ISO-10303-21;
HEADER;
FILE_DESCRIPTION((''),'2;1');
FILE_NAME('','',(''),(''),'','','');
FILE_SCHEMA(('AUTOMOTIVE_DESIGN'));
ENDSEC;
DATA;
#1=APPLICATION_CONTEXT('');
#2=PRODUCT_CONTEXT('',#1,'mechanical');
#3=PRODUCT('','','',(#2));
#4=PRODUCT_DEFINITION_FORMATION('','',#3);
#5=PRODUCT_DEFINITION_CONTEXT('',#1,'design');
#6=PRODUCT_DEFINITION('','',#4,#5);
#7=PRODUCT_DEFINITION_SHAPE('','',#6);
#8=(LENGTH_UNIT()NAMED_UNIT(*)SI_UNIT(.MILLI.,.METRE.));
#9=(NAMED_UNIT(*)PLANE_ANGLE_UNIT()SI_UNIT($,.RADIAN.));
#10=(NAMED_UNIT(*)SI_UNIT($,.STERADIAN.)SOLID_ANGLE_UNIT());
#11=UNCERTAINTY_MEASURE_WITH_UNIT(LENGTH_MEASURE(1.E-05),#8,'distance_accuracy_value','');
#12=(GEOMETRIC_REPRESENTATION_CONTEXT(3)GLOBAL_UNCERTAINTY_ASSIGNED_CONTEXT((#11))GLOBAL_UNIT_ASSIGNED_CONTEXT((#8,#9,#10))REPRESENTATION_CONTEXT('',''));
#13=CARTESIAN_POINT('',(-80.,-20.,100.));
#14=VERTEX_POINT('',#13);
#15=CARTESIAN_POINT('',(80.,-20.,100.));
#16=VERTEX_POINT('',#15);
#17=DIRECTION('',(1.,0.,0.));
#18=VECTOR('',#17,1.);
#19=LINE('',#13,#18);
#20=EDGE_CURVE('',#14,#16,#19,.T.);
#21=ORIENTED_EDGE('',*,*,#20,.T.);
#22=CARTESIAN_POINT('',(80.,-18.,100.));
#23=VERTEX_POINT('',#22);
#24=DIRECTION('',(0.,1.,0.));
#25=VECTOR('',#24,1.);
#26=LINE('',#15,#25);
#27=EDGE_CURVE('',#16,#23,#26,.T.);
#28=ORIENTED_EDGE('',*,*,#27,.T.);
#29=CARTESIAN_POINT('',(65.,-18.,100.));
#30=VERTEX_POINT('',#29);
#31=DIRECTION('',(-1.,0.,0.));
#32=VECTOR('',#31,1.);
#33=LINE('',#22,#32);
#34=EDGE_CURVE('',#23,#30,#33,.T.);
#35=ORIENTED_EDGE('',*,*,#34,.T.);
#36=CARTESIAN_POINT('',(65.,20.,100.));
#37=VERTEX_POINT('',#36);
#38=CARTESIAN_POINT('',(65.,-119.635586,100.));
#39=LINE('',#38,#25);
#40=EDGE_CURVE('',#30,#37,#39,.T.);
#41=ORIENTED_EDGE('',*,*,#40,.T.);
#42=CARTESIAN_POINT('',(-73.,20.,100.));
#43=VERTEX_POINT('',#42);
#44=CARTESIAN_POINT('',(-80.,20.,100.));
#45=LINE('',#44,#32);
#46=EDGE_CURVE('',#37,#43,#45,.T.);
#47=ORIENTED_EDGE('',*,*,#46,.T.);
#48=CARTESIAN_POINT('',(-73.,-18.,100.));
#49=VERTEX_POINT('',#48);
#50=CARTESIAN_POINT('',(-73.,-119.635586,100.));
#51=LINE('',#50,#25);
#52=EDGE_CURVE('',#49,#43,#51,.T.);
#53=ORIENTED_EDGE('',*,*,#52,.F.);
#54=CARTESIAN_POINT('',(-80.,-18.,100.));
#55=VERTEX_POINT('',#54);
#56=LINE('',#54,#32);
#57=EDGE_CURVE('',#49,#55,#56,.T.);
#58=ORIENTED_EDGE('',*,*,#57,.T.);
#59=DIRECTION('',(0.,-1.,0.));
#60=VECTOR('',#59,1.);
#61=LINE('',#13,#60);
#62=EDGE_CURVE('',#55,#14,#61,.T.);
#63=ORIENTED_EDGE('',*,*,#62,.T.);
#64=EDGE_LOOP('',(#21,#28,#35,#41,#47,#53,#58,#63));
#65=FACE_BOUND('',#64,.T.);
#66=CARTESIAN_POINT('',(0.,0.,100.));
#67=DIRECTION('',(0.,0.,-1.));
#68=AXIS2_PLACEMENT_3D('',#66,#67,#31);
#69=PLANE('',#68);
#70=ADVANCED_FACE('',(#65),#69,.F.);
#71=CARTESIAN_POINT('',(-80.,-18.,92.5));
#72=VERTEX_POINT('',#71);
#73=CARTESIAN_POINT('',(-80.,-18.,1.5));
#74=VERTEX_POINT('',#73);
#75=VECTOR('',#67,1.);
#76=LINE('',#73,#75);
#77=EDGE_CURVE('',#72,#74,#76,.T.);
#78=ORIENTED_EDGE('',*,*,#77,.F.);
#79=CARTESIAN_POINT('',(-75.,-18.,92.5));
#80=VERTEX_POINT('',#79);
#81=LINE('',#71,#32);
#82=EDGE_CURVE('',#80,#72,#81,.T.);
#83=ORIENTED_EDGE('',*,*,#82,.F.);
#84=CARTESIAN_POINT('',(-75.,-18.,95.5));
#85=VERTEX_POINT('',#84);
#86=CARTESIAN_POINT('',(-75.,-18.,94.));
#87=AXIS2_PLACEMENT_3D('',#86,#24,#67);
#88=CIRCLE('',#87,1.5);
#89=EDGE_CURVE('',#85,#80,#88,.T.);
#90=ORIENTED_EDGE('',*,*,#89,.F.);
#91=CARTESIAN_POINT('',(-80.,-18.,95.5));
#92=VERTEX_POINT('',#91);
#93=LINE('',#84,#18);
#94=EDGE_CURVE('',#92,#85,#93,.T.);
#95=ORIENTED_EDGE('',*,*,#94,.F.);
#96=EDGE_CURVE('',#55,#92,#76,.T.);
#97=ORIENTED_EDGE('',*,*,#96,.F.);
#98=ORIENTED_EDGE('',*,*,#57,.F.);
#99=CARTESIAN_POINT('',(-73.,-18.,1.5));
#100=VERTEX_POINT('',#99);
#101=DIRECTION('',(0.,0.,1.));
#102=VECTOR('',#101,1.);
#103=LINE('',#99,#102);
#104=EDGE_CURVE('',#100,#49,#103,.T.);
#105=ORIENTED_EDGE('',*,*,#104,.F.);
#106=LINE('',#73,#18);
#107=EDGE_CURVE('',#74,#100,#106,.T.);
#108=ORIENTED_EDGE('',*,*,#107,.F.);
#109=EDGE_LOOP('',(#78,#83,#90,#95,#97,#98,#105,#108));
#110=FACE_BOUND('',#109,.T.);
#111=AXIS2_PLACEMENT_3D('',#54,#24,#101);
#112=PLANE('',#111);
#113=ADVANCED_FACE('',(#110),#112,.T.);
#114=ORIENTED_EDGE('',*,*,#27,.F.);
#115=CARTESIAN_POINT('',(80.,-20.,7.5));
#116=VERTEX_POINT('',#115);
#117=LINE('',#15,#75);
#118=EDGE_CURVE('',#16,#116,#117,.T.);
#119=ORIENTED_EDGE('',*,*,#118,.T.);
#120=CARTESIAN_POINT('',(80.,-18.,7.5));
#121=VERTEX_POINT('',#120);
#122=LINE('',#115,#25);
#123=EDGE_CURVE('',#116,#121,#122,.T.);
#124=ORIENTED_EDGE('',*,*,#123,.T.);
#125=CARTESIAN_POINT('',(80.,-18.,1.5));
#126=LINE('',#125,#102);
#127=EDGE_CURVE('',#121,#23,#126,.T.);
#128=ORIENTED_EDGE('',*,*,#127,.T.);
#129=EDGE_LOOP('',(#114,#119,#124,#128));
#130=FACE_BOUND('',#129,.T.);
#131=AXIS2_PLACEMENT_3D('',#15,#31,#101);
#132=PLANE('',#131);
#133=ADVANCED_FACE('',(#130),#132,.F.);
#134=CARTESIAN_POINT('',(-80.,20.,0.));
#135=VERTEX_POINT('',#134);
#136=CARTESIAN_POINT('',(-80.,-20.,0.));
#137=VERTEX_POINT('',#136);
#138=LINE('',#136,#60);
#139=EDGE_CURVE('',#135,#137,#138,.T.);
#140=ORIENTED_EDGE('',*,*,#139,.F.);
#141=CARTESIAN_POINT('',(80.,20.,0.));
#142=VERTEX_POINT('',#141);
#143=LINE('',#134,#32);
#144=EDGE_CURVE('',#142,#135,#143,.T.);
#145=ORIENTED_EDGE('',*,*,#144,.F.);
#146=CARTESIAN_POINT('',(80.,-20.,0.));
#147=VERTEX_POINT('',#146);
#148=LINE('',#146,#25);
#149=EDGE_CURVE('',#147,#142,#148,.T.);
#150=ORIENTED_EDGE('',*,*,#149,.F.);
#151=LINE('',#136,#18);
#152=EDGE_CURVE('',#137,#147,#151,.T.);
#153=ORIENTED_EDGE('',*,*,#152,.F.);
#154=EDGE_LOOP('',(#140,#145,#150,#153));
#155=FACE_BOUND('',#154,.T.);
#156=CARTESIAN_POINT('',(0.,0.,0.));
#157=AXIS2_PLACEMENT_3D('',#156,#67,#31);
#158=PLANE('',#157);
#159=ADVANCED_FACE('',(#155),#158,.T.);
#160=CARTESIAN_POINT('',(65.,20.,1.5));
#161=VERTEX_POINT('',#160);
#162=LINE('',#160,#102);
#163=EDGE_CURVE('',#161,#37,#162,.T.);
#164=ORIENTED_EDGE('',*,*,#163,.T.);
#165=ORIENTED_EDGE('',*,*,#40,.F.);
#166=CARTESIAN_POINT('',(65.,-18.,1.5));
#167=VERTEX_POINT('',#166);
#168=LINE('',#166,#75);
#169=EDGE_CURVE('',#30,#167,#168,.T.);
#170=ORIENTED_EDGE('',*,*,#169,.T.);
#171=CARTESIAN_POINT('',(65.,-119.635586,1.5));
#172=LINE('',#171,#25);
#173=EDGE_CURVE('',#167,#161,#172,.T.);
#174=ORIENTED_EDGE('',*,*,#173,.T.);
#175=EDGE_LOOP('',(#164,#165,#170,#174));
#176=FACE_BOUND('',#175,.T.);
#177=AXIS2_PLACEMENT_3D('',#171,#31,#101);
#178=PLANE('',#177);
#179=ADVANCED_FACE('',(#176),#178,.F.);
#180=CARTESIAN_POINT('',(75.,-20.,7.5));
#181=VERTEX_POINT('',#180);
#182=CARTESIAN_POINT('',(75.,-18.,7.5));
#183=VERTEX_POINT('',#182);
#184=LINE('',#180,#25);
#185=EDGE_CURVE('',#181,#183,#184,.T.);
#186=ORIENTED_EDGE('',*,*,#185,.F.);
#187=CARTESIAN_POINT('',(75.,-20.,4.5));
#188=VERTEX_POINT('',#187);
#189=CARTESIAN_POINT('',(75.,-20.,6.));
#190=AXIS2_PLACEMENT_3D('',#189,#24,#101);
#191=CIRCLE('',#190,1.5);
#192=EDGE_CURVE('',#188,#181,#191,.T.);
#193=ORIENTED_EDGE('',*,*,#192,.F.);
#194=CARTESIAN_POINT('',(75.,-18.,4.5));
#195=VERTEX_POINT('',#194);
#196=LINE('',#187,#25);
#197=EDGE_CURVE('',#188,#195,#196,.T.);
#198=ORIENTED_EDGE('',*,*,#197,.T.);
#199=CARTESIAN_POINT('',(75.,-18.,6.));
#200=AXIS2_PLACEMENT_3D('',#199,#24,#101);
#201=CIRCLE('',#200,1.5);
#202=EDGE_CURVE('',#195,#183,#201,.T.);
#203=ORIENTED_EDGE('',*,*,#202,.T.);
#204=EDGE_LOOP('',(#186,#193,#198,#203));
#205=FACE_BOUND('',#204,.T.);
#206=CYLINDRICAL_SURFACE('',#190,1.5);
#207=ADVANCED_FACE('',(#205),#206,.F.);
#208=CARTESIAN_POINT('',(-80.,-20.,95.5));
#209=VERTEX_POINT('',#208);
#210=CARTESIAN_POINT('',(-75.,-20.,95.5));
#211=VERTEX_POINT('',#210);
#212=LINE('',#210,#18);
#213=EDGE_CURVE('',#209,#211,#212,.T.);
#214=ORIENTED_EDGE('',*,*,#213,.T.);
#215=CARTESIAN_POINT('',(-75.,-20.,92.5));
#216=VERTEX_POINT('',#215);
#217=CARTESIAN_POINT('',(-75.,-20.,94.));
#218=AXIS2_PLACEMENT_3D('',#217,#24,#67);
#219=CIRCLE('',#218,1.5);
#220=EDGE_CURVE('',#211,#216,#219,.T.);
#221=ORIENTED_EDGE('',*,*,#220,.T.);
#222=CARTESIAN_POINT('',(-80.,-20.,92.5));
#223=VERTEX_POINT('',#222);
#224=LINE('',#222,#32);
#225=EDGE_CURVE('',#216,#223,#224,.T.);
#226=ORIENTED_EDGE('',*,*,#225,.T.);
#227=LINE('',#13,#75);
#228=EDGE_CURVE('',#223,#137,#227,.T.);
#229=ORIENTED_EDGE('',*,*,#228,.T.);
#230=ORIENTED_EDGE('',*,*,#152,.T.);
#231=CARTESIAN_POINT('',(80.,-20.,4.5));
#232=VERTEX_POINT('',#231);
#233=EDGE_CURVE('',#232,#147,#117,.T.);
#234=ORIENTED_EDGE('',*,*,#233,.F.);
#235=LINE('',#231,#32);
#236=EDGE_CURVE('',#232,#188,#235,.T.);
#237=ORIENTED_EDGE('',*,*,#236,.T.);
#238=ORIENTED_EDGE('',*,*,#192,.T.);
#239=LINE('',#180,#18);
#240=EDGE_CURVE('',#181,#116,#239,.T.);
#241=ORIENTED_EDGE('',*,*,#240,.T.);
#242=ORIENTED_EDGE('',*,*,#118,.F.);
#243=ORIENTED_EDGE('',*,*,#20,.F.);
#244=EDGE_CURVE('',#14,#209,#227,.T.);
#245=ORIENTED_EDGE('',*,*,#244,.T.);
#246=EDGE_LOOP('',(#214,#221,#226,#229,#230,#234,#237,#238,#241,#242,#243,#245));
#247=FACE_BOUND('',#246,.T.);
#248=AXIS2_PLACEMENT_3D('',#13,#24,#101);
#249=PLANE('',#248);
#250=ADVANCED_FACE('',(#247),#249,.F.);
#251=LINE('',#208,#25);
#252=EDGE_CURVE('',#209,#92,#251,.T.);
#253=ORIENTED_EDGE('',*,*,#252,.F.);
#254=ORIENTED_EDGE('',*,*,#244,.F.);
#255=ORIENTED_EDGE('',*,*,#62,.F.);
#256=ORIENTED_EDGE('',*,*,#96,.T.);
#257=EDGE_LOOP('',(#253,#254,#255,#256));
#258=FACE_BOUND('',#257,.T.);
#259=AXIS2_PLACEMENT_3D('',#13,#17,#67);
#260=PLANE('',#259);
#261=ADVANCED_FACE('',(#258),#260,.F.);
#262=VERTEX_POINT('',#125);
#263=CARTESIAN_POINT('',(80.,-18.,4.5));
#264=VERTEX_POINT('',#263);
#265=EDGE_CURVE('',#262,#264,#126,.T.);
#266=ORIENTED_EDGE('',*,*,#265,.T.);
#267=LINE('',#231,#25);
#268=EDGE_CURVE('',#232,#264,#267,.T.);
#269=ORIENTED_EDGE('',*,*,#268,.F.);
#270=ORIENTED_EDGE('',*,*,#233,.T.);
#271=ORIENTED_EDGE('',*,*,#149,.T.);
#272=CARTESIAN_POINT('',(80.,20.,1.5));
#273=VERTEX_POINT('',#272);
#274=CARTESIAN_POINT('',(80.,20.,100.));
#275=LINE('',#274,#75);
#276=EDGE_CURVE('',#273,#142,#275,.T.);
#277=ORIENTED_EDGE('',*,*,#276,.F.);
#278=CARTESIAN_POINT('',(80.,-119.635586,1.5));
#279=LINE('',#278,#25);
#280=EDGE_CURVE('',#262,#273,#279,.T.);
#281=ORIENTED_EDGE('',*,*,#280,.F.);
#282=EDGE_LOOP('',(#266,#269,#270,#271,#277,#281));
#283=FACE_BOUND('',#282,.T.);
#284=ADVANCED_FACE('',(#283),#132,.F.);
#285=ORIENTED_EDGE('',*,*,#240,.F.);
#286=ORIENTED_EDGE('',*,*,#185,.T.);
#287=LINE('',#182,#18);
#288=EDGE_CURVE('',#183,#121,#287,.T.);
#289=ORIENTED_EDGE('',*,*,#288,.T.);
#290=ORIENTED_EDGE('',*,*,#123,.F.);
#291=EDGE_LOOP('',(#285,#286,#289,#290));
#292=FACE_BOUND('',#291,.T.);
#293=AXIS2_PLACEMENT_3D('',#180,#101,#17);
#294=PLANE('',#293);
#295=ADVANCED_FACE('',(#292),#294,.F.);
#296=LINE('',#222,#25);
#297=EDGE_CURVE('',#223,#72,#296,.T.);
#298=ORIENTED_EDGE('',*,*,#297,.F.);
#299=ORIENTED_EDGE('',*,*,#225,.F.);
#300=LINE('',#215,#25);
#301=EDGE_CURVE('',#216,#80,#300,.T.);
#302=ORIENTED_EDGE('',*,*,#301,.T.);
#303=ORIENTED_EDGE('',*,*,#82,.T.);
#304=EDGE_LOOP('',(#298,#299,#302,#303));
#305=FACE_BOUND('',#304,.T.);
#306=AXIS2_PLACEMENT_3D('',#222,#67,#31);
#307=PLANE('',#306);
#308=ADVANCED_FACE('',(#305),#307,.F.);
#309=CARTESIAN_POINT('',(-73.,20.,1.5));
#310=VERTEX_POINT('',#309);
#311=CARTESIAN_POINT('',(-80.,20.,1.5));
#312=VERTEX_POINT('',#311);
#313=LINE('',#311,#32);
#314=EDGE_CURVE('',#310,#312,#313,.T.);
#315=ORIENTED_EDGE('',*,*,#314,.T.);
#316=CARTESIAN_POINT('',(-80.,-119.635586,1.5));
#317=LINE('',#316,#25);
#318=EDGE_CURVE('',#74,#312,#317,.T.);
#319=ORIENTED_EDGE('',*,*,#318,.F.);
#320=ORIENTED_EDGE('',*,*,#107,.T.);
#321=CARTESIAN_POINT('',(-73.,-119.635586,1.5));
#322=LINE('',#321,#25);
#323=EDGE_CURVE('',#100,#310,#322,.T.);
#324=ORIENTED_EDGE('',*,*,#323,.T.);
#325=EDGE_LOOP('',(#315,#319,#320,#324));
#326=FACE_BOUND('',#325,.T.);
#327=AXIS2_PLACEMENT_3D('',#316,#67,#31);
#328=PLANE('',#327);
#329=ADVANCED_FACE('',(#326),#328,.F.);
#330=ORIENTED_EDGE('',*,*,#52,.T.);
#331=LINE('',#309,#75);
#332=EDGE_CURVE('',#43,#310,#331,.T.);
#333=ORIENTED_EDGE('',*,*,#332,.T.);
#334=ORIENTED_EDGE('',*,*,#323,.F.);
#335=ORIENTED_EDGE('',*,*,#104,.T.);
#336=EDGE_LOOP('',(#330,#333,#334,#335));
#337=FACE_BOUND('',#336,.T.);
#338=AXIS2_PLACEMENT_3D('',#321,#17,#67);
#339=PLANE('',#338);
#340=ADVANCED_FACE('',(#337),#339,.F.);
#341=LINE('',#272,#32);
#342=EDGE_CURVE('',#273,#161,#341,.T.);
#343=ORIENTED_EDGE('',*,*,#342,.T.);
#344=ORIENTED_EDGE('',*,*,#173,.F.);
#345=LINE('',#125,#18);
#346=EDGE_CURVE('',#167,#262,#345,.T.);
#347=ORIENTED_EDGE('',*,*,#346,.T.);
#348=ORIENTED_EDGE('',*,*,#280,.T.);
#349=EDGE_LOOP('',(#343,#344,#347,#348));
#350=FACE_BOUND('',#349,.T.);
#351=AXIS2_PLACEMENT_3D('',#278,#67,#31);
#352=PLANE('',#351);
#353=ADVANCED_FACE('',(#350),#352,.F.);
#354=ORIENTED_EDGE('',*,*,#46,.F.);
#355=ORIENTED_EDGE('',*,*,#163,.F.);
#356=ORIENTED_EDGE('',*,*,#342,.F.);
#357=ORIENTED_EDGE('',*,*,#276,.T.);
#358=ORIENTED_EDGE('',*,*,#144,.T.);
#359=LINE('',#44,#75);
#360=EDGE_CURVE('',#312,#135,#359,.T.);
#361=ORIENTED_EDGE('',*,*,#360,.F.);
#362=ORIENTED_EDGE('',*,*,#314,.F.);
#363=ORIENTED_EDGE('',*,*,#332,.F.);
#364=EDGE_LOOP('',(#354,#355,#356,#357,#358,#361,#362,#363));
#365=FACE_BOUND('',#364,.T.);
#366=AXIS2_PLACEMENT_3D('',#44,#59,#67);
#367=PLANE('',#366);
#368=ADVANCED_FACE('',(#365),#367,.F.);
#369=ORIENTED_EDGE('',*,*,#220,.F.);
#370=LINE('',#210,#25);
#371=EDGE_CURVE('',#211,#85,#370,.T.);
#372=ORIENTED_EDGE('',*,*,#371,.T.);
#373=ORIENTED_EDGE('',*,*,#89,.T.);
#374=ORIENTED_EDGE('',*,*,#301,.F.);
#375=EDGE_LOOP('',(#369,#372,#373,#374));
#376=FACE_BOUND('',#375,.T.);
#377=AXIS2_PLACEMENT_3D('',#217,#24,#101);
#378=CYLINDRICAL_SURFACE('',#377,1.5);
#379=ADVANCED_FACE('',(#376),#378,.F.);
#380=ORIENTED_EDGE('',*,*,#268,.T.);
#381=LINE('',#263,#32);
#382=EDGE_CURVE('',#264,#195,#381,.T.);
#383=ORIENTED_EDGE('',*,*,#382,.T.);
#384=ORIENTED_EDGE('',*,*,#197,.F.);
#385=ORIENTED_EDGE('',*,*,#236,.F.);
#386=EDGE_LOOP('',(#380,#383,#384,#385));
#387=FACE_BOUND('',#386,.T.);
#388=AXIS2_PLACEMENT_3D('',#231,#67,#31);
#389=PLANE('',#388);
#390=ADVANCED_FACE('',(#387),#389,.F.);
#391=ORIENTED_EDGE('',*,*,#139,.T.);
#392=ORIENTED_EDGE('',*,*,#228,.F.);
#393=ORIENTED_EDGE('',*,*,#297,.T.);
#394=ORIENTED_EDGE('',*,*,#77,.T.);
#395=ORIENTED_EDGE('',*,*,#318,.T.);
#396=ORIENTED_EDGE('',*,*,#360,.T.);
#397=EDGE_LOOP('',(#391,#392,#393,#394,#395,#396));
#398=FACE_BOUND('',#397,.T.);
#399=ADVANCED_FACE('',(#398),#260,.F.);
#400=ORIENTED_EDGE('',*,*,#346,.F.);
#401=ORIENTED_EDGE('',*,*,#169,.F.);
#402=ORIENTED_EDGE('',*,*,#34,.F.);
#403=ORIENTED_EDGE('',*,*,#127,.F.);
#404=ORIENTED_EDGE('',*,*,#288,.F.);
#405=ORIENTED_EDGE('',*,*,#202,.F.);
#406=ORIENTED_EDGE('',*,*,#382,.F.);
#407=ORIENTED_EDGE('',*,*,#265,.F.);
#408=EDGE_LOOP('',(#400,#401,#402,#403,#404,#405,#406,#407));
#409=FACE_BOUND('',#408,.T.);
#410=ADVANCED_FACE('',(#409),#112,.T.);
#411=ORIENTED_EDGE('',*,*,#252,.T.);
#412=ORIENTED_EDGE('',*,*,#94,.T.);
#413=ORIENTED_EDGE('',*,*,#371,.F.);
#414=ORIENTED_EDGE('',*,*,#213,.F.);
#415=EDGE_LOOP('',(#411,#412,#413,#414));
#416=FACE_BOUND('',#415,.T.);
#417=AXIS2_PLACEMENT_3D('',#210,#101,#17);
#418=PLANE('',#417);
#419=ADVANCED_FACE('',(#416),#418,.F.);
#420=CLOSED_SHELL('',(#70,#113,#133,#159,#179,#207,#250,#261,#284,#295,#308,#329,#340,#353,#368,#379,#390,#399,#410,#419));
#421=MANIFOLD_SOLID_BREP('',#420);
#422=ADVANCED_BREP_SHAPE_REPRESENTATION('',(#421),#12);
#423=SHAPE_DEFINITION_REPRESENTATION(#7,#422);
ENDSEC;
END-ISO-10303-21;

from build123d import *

# Parameters (mm, degrees)
SKETCH1_W           = 160
SKETCH1_H           = 40
BOSS_EXTRUDE1_DEPTH = 100
SKETCH2_W           = 7
SKETCH2_H           = 98.5
SKETCH2_W_2         = 15
CUT_EXTRUDE1_DEPTH  = 38
CUT_EXTRUDE2_DEPTH  = 2


with BuildPart() as part:
    # Sketch1 → Boss-Extrude1 (new body)
    with BuildSketch(Plane.XY):
        Rectangle(SKETCH1_W, SKETCH1_H)
    extrude(amount=BOSS_EXTRUDE1_DEPTH)

    # Sketch2 → Cut-Extrude1 (cut)
    with BuildSketch(Plane(origin=(0, 20, 0), x_dir=(1, 0, 0), z_dir=(0, 1, 0))):
        with Locations((-76.5, -50.75)):
            Rectangle(SKETCH2_W, SKETCH2_H)
        with Locations((72.5, -50.75)):
            Rectangle(SKETCH2_W_2, SKETCH2_H)
    extrude(amount=-CUT_EXTRUDE1_DEPTH, mode=Mode.SUBTRACT)

    # Sketch3 → Cut-Extrude2 (cut)
    with BuildSketch(Plane(origin=(0, -18, 0), x_dir=(1, 0, 0), z_dir=(0, 1, 0))):
        with BuildLine():
            Line((80, -4.5), (75, -4.5))
            ThreePointArc((75, -4.5), (73.5, -6), (75, -7.5))
            Line((75, -7.5), (80, -7.5))
            Line((80, -7.5), (80, -4.5))
        make_face()
        with BuildLine():
            Line((-80, -92.5), (-75, -92.5))
            ThreePointArc((-75, -92.5), (-73.5, -94), (-75, -95.5))
            Line((-75, -95.5), (-80, -95.5))
            Line((-80, -95.5), (-80, -92.5))
        make_face()
    extrude(amount=-CUT_EXTRUDE2_DEPTH, mode=Mode.SUBTRACT)


solid = part.part
